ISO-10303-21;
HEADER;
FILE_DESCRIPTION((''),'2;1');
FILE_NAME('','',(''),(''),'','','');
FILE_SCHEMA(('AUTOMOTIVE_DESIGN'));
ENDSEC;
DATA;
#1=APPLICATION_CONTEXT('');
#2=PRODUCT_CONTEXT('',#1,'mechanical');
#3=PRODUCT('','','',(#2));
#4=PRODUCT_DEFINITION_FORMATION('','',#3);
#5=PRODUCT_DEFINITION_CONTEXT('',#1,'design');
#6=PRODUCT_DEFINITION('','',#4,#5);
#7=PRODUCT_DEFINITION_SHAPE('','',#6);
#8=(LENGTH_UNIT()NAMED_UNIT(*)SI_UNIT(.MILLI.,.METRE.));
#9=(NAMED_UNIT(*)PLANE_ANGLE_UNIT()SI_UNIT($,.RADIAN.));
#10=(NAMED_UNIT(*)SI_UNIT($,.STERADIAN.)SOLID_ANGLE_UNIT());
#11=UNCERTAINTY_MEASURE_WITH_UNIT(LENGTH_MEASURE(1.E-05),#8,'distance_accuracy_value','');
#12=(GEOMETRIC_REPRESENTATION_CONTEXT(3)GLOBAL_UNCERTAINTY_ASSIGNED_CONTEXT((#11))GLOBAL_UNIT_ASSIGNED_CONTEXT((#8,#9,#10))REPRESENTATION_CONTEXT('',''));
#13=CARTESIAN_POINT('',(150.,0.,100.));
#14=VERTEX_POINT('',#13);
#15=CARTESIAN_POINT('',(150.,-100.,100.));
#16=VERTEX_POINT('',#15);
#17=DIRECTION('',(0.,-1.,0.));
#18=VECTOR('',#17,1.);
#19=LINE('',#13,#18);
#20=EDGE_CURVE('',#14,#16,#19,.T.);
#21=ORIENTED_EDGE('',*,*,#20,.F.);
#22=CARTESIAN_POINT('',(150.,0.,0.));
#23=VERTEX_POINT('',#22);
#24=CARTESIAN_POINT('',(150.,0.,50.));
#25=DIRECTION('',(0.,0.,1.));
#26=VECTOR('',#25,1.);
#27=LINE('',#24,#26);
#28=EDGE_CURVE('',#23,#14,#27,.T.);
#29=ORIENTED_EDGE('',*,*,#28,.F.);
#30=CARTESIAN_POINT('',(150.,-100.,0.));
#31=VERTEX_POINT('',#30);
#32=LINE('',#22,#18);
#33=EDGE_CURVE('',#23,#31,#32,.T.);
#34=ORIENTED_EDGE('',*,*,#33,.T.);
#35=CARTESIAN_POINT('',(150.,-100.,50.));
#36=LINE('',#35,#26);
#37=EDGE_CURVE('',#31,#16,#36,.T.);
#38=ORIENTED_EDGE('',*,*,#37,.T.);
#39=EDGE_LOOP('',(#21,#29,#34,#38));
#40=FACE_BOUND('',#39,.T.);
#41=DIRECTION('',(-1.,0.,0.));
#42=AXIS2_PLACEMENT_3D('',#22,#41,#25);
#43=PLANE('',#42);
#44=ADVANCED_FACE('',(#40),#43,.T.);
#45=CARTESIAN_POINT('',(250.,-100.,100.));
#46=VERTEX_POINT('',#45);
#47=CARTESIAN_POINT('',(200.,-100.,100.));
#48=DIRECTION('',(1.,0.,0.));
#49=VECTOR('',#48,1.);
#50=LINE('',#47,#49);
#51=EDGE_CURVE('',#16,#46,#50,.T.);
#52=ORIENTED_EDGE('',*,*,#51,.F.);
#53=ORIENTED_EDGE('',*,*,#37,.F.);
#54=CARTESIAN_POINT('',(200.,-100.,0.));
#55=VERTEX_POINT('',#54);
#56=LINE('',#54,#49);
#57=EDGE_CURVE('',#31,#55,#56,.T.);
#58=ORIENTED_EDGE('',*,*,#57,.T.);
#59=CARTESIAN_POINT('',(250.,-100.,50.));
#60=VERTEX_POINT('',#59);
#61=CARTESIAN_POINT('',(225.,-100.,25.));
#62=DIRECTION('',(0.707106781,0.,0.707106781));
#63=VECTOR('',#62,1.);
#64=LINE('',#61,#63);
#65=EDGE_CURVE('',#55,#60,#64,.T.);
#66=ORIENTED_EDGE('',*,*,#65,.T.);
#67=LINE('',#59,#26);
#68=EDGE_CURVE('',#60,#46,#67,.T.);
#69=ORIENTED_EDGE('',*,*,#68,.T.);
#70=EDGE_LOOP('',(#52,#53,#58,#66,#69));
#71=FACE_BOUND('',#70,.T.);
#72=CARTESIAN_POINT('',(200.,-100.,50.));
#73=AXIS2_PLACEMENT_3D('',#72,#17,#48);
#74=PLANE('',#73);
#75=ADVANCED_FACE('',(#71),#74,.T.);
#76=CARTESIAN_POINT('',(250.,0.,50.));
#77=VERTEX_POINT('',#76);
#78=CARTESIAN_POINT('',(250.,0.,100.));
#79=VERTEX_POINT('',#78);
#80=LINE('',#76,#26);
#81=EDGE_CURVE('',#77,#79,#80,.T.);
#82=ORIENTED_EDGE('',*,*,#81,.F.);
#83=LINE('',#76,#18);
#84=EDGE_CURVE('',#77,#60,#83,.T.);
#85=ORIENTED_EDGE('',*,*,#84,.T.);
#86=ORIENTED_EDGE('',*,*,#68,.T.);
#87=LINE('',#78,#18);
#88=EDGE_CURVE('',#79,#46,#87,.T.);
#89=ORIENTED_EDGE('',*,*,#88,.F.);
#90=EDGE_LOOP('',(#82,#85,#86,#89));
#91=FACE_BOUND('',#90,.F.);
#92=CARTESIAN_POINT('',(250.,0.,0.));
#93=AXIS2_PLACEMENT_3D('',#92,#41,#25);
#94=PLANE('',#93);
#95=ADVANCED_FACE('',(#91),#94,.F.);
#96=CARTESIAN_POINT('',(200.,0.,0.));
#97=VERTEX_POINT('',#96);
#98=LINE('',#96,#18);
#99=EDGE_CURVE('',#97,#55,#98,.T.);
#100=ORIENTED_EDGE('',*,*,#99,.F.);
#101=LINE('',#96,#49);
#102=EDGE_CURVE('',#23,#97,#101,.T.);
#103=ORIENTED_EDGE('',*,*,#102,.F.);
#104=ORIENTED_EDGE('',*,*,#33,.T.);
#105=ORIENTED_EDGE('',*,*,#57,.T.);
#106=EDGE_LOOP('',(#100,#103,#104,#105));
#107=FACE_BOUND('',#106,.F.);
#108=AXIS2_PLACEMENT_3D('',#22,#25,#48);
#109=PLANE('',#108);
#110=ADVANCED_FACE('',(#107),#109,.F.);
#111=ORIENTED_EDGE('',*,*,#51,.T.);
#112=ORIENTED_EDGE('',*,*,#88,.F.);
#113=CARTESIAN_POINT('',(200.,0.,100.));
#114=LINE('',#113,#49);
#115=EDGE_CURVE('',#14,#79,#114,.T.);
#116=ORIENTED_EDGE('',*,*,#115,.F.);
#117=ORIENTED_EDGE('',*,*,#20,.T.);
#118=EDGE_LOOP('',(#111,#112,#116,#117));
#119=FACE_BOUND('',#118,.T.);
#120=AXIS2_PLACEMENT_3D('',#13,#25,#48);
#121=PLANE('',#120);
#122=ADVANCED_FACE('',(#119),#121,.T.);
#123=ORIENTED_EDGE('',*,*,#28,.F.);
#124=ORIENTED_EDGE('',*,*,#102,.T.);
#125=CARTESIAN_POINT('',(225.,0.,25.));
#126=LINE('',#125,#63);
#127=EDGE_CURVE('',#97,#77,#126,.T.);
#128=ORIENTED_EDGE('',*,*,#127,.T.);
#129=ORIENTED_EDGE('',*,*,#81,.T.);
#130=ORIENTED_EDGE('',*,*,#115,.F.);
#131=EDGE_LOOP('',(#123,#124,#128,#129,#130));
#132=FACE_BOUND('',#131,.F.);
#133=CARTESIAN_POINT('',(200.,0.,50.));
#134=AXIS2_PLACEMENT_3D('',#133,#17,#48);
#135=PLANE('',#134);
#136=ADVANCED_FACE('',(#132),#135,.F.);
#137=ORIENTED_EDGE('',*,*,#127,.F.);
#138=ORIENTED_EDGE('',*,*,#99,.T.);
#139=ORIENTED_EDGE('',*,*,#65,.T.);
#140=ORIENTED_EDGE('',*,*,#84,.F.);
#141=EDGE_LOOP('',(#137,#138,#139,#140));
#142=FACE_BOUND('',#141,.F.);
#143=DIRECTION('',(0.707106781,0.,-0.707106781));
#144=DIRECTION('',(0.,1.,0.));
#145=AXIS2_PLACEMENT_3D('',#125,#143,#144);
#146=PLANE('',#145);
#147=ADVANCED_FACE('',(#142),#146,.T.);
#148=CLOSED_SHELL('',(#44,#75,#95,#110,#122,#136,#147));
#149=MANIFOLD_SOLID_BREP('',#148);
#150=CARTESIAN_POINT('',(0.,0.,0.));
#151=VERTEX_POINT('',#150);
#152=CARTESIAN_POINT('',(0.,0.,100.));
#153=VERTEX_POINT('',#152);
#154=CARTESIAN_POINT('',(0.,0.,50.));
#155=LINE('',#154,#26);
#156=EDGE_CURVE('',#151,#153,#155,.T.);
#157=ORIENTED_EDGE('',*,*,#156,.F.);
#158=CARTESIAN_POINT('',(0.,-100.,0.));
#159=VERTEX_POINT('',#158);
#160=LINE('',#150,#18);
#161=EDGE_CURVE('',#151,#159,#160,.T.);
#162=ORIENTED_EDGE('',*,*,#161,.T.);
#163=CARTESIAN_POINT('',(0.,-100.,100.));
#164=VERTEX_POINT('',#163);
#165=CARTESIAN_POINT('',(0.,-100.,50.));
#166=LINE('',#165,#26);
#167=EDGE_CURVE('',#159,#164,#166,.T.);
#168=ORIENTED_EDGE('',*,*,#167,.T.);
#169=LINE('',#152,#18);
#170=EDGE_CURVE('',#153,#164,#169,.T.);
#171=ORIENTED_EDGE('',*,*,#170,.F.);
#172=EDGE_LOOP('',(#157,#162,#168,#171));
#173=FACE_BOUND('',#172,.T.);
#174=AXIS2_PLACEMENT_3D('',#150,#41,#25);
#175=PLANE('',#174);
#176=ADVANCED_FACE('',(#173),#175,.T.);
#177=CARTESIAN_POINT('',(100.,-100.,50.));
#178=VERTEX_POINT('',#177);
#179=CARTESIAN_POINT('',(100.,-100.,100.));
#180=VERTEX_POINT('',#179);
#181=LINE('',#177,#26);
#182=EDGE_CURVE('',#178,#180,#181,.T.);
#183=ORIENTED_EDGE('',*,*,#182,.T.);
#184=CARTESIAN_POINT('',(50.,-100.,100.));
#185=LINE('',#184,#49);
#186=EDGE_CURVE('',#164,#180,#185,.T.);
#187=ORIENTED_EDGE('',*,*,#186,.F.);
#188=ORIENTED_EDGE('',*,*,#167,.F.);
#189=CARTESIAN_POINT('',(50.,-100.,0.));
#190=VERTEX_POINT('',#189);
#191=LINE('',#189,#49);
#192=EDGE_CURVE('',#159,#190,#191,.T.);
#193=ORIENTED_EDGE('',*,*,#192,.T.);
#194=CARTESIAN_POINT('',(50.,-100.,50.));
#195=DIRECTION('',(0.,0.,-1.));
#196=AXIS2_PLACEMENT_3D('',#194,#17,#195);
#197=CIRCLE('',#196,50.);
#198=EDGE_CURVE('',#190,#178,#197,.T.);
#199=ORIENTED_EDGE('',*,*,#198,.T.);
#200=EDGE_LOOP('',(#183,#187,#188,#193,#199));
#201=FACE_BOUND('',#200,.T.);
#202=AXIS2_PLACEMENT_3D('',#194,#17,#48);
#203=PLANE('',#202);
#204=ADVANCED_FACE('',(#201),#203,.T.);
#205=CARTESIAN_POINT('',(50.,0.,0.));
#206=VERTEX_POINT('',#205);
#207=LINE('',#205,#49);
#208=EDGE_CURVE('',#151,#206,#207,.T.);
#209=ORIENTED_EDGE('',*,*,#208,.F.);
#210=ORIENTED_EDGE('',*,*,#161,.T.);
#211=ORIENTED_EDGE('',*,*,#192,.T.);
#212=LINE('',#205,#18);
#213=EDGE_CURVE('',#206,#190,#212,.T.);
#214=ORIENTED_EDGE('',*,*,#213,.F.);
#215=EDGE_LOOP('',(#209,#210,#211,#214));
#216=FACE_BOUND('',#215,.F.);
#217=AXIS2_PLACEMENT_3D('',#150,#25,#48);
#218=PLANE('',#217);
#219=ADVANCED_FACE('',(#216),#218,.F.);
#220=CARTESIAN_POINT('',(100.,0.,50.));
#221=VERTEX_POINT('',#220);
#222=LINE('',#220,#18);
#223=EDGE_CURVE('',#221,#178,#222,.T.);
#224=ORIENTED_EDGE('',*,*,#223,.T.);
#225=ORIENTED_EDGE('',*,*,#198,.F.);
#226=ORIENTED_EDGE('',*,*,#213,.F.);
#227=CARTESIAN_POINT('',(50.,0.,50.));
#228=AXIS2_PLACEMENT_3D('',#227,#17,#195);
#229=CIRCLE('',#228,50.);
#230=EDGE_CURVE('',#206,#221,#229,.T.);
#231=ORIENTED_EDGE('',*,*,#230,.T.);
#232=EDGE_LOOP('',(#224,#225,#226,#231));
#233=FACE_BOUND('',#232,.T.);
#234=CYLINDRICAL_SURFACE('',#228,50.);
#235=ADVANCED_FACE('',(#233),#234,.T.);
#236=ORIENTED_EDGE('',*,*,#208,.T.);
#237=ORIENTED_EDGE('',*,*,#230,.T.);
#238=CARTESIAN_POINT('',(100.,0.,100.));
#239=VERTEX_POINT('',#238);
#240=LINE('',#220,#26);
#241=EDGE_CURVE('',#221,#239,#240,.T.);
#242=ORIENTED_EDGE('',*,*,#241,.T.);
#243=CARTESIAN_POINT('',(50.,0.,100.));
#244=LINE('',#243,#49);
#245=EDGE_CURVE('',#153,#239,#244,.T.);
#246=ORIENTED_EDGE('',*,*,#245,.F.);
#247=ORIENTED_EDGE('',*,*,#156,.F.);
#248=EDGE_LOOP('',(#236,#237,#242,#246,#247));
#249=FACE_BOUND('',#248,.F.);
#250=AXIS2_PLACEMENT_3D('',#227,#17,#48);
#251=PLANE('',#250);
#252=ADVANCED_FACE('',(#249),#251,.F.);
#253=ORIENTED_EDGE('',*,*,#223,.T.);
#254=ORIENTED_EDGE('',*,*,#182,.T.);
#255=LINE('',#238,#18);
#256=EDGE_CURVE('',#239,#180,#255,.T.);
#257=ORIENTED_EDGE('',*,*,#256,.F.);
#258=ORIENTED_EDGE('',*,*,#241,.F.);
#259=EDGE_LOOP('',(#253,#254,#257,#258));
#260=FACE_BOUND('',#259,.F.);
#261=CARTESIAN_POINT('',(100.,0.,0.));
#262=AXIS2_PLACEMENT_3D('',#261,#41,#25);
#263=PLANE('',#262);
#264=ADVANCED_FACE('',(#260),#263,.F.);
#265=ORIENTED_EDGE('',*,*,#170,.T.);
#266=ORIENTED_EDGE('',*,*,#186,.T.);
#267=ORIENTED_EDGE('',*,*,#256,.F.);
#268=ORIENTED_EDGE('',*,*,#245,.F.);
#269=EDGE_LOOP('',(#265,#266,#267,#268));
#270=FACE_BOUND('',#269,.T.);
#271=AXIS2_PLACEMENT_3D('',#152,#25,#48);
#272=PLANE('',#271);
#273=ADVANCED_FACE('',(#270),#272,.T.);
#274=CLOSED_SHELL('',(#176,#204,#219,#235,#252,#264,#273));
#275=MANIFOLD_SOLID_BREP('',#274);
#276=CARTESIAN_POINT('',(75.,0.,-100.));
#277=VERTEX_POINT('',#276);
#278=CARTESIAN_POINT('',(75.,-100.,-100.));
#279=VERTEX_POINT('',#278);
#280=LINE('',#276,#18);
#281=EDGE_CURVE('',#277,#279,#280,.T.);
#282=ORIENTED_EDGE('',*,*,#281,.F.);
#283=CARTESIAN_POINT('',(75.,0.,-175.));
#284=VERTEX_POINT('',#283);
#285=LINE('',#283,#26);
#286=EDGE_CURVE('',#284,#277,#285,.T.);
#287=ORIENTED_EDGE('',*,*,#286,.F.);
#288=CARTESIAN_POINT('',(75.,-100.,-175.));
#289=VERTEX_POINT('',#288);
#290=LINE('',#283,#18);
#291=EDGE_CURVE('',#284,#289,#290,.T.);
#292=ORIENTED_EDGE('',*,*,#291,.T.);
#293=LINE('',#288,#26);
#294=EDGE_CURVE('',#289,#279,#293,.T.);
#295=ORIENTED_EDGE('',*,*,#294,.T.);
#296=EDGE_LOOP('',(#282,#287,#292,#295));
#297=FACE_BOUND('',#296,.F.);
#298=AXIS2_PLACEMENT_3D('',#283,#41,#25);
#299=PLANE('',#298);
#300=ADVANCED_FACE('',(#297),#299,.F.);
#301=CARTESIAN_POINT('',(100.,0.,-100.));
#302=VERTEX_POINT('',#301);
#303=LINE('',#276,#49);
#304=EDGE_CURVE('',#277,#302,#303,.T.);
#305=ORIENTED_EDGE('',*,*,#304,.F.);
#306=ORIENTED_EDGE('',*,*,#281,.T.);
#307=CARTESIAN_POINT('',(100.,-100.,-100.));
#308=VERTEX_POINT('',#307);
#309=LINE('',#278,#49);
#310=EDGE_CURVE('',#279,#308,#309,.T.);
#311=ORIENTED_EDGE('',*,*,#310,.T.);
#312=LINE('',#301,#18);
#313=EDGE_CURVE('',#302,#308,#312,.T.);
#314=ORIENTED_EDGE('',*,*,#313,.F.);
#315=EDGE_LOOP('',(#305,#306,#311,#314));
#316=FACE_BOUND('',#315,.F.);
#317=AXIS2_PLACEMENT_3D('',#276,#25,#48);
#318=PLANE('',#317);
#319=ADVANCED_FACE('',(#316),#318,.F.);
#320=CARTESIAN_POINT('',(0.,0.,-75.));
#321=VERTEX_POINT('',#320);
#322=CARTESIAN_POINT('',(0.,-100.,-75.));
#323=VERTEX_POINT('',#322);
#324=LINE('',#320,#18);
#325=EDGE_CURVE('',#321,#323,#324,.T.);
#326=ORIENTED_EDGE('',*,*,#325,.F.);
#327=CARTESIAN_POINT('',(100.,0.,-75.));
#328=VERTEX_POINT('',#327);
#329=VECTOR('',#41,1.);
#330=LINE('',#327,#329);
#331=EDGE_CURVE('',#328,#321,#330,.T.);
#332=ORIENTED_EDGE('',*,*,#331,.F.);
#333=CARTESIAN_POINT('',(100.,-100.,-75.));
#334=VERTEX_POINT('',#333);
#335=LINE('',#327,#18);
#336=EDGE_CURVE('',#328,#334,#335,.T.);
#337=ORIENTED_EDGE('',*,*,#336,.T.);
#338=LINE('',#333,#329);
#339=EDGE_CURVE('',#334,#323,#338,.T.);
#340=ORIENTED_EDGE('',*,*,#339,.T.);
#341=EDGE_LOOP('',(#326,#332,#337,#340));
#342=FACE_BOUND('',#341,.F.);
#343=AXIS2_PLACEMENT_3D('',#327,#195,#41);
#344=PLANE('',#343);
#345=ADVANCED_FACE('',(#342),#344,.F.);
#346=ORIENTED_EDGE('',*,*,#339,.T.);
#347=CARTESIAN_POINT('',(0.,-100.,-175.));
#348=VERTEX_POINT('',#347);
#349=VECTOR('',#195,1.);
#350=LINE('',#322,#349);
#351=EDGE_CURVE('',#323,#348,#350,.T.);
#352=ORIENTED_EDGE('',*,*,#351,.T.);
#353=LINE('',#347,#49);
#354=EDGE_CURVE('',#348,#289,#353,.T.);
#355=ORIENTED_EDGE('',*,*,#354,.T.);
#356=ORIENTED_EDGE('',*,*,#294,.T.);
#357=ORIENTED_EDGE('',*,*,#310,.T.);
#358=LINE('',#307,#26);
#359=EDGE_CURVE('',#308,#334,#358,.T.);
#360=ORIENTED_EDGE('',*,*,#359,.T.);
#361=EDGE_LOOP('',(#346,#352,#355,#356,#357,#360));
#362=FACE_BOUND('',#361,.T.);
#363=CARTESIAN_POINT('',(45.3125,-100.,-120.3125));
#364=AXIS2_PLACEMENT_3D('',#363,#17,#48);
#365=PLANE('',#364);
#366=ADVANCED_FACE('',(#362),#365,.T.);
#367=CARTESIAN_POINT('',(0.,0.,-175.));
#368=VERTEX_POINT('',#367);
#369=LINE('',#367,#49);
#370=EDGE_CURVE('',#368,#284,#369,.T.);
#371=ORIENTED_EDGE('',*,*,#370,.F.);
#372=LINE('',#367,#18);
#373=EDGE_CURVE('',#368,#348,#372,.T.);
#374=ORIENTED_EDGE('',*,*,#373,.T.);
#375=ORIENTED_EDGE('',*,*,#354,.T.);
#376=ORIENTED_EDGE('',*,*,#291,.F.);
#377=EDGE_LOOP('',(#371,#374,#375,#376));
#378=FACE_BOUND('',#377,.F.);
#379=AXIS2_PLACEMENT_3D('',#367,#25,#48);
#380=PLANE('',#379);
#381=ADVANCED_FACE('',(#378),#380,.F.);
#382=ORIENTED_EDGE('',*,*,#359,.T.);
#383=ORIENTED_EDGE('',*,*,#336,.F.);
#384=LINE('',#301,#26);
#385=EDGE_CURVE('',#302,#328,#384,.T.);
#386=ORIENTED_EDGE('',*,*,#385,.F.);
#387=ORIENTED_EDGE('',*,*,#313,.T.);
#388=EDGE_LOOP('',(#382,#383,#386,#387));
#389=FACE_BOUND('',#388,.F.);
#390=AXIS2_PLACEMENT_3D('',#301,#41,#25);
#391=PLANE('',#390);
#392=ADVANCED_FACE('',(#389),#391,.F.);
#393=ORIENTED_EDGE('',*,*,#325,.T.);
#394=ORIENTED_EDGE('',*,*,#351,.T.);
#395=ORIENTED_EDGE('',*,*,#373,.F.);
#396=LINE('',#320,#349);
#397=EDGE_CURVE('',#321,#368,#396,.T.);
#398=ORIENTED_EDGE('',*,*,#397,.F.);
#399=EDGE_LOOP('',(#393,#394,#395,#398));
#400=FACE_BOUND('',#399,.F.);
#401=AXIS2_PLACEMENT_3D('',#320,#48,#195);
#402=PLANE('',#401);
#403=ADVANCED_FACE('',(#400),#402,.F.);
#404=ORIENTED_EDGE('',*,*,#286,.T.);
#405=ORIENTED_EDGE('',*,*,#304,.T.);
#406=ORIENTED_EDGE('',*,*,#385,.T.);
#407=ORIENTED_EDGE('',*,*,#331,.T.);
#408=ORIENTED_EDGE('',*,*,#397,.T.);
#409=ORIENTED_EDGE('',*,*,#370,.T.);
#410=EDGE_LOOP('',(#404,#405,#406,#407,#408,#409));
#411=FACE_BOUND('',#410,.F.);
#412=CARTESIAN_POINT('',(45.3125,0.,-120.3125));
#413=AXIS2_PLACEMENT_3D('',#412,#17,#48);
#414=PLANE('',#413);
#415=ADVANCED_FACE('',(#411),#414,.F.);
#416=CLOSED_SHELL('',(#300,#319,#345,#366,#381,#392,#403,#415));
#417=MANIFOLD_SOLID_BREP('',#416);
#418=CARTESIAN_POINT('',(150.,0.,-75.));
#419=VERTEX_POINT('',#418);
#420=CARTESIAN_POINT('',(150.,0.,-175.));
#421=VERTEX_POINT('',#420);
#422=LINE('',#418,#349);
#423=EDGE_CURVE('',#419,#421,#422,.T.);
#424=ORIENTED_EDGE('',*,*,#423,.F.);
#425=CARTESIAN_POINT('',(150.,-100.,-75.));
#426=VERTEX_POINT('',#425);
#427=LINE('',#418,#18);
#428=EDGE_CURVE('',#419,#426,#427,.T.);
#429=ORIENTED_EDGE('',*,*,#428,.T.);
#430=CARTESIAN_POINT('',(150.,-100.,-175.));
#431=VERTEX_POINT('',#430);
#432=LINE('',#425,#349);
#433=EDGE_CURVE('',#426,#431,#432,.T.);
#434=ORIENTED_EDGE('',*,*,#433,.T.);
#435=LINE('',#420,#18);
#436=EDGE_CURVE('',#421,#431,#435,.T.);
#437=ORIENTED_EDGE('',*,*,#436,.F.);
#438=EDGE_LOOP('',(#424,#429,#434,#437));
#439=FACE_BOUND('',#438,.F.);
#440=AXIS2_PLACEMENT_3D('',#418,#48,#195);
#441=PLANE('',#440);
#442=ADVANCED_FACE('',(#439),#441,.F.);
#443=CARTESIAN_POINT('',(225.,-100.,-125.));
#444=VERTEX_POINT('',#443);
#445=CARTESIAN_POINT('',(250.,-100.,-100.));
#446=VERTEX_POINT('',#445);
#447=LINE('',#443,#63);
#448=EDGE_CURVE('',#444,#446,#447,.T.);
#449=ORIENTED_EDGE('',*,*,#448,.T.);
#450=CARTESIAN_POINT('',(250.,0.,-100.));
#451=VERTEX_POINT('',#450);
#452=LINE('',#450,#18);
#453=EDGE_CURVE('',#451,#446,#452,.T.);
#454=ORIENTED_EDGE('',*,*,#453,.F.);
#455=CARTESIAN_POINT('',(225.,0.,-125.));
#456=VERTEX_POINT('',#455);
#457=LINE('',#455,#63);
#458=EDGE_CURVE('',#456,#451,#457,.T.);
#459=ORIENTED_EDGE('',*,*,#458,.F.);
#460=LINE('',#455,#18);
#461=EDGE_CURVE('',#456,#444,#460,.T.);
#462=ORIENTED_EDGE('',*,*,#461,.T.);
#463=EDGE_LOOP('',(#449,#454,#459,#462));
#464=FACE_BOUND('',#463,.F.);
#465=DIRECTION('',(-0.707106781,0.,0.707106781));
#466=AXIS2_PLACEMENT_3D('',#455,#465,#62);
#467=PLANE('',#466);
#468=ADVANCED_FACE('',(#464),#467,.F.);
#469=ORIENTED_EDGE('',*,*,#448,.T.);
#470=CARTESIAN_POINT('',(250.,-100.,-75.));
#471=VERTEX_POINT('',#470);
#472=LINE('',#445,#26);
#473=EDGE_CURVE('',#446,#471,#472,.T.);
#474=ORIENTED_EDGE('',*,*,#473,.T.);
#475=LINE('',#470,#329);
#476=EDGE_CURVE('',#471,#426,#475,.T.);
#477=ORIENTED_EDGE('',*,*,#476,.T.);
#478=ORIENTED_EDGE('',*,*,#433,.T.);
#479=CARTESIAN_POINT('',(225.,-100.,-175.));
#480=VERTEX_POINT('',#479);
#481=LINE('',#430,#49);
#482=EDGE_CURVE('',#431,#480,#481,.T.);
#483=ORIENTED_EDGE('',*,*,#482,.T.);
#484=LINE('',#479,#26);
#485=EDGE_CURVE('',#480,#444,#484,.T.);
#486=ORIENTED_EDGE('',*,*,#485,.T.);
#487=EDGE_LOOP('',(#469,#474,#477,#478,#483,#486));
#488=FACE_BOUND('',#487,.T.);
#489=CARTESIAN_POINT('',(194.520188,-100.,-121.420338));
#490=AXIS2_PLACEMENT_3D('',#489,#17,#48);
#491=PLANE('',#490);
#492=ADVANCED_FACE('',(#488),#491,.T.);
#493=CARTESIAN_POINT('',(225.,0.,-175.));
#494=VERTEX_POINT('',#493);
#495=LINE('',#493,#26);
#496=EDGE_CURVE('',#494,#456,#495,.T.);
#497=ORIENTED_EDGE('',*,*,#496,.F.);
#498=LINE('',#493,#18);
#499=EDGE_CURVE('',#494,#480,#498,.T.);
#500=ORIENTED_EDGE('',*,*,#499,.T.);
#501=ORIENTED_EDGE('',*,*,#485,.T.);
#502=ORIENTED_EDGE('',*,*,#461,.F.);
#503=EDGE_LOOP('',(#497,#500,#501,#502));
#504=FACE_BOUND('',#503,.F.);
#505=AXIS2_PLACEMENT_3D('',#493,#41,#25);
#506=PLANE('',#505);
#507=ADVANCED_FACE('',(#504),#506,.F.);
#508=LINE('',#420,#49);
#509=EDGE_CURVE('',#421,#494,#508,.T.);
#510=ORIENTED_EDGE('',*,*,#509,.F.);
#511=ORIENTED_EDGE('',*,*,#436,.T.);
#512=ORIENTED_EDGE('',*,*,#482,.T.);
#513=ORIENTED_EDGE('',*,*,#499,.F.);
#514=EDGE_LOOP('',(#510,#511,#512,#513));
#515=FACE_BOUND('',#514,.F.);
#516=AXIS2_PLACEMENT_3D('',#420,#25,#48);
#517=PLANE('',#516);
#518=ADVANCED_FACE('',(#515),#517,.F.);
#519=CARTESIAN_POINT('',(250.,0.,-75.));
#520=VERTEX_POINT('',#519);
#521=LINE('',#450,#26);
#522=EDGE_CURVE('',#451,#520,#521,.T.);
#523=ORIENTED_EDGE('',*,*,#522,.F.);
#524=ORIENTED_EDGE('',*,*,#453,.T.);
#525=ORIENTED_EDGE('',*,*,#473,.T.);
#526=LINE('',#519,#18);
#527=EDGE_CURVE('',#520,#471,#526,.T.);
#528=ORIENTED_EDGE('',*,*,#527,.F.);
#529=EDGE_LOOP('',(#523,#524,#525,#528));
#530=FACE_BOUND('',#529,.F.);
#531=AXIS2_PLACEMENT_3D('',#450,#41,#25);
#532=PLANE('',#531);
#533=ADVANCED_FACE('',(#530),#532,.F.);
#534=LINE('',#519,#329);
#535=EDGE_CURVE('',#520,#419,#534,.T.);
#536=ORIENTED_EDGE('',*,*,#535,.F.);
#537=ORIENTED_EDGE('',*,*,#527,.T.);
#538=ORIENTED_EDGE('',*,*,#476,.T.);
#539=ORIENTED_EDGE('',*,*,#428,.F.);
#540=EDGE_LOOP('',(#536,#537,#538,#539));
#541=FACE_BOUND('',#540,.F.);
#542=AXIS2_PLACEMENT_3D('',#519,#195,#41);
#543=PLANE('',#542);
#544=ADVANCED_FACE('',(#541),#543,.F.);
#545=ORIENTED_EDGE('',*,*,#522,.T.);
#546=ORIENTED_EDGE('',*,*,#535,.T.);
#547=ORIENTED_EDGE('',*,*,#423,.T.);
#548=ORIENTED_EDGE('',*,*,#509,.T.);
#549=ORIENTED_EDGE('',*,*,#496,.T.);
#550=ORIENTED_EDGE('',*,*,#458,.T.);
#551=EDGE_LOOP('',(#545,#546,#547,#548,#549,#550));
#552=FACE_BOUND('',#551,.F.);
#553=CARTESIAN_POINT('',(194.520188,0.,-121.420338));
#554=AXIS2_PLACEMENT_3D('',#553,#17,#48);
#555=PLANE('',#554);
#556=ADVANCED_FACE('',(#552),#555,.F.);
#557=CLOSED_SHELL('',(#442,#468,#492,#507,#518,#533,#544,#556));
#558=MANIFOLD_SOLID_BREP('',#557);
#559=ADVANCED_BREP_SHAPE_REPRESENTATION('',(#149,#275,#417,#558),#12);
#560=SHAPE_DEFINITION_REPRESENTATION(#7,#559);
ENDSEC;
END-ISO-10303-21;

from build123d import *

# Parameters (mm, degrees)
SKETCH_W     = 100
SKETCH_H     = 100
PAD_DEPTH    = 100
FILLET_R     = 50
CHAMFER_SIZE = 50


with BuildPart() as part:
    # Sketch → Pad (new body)
    with BuildSketch(Plane.XZ):
        with Locations((50, 50)):
            Rectangle(SKETCH_W, SKETCH_H)
        with Locations((200, 50)):
            Rectangle(SKETCH_W, SKETCH_H)
        Polygon((0, -75), (0, -175), (75, -175), (75, -100), (100, -100), (100, -75), align=None)
        Polygon((150, -75), (150, -175), (225, -175), (225, -125), (250, -100), (250, -75), align=None)
    extrude(amount=PAD_DEPTH)

    # Fillet
    fillet_edges = [part.edges().sort_by_distance(p)[0] for p in [
        (100, -50, 0),
    ]]
    fillet(fillet_edges, radius=FILLET_R)

    # Chamfer
    chamfer_edges = [part.edges().sort_by_distance(p)[0] for p in [
        (250, -50, 0),
    ]]
    chamfer(chamfer_edges, length=CHAMFER_SIZE)


solid = part.part
